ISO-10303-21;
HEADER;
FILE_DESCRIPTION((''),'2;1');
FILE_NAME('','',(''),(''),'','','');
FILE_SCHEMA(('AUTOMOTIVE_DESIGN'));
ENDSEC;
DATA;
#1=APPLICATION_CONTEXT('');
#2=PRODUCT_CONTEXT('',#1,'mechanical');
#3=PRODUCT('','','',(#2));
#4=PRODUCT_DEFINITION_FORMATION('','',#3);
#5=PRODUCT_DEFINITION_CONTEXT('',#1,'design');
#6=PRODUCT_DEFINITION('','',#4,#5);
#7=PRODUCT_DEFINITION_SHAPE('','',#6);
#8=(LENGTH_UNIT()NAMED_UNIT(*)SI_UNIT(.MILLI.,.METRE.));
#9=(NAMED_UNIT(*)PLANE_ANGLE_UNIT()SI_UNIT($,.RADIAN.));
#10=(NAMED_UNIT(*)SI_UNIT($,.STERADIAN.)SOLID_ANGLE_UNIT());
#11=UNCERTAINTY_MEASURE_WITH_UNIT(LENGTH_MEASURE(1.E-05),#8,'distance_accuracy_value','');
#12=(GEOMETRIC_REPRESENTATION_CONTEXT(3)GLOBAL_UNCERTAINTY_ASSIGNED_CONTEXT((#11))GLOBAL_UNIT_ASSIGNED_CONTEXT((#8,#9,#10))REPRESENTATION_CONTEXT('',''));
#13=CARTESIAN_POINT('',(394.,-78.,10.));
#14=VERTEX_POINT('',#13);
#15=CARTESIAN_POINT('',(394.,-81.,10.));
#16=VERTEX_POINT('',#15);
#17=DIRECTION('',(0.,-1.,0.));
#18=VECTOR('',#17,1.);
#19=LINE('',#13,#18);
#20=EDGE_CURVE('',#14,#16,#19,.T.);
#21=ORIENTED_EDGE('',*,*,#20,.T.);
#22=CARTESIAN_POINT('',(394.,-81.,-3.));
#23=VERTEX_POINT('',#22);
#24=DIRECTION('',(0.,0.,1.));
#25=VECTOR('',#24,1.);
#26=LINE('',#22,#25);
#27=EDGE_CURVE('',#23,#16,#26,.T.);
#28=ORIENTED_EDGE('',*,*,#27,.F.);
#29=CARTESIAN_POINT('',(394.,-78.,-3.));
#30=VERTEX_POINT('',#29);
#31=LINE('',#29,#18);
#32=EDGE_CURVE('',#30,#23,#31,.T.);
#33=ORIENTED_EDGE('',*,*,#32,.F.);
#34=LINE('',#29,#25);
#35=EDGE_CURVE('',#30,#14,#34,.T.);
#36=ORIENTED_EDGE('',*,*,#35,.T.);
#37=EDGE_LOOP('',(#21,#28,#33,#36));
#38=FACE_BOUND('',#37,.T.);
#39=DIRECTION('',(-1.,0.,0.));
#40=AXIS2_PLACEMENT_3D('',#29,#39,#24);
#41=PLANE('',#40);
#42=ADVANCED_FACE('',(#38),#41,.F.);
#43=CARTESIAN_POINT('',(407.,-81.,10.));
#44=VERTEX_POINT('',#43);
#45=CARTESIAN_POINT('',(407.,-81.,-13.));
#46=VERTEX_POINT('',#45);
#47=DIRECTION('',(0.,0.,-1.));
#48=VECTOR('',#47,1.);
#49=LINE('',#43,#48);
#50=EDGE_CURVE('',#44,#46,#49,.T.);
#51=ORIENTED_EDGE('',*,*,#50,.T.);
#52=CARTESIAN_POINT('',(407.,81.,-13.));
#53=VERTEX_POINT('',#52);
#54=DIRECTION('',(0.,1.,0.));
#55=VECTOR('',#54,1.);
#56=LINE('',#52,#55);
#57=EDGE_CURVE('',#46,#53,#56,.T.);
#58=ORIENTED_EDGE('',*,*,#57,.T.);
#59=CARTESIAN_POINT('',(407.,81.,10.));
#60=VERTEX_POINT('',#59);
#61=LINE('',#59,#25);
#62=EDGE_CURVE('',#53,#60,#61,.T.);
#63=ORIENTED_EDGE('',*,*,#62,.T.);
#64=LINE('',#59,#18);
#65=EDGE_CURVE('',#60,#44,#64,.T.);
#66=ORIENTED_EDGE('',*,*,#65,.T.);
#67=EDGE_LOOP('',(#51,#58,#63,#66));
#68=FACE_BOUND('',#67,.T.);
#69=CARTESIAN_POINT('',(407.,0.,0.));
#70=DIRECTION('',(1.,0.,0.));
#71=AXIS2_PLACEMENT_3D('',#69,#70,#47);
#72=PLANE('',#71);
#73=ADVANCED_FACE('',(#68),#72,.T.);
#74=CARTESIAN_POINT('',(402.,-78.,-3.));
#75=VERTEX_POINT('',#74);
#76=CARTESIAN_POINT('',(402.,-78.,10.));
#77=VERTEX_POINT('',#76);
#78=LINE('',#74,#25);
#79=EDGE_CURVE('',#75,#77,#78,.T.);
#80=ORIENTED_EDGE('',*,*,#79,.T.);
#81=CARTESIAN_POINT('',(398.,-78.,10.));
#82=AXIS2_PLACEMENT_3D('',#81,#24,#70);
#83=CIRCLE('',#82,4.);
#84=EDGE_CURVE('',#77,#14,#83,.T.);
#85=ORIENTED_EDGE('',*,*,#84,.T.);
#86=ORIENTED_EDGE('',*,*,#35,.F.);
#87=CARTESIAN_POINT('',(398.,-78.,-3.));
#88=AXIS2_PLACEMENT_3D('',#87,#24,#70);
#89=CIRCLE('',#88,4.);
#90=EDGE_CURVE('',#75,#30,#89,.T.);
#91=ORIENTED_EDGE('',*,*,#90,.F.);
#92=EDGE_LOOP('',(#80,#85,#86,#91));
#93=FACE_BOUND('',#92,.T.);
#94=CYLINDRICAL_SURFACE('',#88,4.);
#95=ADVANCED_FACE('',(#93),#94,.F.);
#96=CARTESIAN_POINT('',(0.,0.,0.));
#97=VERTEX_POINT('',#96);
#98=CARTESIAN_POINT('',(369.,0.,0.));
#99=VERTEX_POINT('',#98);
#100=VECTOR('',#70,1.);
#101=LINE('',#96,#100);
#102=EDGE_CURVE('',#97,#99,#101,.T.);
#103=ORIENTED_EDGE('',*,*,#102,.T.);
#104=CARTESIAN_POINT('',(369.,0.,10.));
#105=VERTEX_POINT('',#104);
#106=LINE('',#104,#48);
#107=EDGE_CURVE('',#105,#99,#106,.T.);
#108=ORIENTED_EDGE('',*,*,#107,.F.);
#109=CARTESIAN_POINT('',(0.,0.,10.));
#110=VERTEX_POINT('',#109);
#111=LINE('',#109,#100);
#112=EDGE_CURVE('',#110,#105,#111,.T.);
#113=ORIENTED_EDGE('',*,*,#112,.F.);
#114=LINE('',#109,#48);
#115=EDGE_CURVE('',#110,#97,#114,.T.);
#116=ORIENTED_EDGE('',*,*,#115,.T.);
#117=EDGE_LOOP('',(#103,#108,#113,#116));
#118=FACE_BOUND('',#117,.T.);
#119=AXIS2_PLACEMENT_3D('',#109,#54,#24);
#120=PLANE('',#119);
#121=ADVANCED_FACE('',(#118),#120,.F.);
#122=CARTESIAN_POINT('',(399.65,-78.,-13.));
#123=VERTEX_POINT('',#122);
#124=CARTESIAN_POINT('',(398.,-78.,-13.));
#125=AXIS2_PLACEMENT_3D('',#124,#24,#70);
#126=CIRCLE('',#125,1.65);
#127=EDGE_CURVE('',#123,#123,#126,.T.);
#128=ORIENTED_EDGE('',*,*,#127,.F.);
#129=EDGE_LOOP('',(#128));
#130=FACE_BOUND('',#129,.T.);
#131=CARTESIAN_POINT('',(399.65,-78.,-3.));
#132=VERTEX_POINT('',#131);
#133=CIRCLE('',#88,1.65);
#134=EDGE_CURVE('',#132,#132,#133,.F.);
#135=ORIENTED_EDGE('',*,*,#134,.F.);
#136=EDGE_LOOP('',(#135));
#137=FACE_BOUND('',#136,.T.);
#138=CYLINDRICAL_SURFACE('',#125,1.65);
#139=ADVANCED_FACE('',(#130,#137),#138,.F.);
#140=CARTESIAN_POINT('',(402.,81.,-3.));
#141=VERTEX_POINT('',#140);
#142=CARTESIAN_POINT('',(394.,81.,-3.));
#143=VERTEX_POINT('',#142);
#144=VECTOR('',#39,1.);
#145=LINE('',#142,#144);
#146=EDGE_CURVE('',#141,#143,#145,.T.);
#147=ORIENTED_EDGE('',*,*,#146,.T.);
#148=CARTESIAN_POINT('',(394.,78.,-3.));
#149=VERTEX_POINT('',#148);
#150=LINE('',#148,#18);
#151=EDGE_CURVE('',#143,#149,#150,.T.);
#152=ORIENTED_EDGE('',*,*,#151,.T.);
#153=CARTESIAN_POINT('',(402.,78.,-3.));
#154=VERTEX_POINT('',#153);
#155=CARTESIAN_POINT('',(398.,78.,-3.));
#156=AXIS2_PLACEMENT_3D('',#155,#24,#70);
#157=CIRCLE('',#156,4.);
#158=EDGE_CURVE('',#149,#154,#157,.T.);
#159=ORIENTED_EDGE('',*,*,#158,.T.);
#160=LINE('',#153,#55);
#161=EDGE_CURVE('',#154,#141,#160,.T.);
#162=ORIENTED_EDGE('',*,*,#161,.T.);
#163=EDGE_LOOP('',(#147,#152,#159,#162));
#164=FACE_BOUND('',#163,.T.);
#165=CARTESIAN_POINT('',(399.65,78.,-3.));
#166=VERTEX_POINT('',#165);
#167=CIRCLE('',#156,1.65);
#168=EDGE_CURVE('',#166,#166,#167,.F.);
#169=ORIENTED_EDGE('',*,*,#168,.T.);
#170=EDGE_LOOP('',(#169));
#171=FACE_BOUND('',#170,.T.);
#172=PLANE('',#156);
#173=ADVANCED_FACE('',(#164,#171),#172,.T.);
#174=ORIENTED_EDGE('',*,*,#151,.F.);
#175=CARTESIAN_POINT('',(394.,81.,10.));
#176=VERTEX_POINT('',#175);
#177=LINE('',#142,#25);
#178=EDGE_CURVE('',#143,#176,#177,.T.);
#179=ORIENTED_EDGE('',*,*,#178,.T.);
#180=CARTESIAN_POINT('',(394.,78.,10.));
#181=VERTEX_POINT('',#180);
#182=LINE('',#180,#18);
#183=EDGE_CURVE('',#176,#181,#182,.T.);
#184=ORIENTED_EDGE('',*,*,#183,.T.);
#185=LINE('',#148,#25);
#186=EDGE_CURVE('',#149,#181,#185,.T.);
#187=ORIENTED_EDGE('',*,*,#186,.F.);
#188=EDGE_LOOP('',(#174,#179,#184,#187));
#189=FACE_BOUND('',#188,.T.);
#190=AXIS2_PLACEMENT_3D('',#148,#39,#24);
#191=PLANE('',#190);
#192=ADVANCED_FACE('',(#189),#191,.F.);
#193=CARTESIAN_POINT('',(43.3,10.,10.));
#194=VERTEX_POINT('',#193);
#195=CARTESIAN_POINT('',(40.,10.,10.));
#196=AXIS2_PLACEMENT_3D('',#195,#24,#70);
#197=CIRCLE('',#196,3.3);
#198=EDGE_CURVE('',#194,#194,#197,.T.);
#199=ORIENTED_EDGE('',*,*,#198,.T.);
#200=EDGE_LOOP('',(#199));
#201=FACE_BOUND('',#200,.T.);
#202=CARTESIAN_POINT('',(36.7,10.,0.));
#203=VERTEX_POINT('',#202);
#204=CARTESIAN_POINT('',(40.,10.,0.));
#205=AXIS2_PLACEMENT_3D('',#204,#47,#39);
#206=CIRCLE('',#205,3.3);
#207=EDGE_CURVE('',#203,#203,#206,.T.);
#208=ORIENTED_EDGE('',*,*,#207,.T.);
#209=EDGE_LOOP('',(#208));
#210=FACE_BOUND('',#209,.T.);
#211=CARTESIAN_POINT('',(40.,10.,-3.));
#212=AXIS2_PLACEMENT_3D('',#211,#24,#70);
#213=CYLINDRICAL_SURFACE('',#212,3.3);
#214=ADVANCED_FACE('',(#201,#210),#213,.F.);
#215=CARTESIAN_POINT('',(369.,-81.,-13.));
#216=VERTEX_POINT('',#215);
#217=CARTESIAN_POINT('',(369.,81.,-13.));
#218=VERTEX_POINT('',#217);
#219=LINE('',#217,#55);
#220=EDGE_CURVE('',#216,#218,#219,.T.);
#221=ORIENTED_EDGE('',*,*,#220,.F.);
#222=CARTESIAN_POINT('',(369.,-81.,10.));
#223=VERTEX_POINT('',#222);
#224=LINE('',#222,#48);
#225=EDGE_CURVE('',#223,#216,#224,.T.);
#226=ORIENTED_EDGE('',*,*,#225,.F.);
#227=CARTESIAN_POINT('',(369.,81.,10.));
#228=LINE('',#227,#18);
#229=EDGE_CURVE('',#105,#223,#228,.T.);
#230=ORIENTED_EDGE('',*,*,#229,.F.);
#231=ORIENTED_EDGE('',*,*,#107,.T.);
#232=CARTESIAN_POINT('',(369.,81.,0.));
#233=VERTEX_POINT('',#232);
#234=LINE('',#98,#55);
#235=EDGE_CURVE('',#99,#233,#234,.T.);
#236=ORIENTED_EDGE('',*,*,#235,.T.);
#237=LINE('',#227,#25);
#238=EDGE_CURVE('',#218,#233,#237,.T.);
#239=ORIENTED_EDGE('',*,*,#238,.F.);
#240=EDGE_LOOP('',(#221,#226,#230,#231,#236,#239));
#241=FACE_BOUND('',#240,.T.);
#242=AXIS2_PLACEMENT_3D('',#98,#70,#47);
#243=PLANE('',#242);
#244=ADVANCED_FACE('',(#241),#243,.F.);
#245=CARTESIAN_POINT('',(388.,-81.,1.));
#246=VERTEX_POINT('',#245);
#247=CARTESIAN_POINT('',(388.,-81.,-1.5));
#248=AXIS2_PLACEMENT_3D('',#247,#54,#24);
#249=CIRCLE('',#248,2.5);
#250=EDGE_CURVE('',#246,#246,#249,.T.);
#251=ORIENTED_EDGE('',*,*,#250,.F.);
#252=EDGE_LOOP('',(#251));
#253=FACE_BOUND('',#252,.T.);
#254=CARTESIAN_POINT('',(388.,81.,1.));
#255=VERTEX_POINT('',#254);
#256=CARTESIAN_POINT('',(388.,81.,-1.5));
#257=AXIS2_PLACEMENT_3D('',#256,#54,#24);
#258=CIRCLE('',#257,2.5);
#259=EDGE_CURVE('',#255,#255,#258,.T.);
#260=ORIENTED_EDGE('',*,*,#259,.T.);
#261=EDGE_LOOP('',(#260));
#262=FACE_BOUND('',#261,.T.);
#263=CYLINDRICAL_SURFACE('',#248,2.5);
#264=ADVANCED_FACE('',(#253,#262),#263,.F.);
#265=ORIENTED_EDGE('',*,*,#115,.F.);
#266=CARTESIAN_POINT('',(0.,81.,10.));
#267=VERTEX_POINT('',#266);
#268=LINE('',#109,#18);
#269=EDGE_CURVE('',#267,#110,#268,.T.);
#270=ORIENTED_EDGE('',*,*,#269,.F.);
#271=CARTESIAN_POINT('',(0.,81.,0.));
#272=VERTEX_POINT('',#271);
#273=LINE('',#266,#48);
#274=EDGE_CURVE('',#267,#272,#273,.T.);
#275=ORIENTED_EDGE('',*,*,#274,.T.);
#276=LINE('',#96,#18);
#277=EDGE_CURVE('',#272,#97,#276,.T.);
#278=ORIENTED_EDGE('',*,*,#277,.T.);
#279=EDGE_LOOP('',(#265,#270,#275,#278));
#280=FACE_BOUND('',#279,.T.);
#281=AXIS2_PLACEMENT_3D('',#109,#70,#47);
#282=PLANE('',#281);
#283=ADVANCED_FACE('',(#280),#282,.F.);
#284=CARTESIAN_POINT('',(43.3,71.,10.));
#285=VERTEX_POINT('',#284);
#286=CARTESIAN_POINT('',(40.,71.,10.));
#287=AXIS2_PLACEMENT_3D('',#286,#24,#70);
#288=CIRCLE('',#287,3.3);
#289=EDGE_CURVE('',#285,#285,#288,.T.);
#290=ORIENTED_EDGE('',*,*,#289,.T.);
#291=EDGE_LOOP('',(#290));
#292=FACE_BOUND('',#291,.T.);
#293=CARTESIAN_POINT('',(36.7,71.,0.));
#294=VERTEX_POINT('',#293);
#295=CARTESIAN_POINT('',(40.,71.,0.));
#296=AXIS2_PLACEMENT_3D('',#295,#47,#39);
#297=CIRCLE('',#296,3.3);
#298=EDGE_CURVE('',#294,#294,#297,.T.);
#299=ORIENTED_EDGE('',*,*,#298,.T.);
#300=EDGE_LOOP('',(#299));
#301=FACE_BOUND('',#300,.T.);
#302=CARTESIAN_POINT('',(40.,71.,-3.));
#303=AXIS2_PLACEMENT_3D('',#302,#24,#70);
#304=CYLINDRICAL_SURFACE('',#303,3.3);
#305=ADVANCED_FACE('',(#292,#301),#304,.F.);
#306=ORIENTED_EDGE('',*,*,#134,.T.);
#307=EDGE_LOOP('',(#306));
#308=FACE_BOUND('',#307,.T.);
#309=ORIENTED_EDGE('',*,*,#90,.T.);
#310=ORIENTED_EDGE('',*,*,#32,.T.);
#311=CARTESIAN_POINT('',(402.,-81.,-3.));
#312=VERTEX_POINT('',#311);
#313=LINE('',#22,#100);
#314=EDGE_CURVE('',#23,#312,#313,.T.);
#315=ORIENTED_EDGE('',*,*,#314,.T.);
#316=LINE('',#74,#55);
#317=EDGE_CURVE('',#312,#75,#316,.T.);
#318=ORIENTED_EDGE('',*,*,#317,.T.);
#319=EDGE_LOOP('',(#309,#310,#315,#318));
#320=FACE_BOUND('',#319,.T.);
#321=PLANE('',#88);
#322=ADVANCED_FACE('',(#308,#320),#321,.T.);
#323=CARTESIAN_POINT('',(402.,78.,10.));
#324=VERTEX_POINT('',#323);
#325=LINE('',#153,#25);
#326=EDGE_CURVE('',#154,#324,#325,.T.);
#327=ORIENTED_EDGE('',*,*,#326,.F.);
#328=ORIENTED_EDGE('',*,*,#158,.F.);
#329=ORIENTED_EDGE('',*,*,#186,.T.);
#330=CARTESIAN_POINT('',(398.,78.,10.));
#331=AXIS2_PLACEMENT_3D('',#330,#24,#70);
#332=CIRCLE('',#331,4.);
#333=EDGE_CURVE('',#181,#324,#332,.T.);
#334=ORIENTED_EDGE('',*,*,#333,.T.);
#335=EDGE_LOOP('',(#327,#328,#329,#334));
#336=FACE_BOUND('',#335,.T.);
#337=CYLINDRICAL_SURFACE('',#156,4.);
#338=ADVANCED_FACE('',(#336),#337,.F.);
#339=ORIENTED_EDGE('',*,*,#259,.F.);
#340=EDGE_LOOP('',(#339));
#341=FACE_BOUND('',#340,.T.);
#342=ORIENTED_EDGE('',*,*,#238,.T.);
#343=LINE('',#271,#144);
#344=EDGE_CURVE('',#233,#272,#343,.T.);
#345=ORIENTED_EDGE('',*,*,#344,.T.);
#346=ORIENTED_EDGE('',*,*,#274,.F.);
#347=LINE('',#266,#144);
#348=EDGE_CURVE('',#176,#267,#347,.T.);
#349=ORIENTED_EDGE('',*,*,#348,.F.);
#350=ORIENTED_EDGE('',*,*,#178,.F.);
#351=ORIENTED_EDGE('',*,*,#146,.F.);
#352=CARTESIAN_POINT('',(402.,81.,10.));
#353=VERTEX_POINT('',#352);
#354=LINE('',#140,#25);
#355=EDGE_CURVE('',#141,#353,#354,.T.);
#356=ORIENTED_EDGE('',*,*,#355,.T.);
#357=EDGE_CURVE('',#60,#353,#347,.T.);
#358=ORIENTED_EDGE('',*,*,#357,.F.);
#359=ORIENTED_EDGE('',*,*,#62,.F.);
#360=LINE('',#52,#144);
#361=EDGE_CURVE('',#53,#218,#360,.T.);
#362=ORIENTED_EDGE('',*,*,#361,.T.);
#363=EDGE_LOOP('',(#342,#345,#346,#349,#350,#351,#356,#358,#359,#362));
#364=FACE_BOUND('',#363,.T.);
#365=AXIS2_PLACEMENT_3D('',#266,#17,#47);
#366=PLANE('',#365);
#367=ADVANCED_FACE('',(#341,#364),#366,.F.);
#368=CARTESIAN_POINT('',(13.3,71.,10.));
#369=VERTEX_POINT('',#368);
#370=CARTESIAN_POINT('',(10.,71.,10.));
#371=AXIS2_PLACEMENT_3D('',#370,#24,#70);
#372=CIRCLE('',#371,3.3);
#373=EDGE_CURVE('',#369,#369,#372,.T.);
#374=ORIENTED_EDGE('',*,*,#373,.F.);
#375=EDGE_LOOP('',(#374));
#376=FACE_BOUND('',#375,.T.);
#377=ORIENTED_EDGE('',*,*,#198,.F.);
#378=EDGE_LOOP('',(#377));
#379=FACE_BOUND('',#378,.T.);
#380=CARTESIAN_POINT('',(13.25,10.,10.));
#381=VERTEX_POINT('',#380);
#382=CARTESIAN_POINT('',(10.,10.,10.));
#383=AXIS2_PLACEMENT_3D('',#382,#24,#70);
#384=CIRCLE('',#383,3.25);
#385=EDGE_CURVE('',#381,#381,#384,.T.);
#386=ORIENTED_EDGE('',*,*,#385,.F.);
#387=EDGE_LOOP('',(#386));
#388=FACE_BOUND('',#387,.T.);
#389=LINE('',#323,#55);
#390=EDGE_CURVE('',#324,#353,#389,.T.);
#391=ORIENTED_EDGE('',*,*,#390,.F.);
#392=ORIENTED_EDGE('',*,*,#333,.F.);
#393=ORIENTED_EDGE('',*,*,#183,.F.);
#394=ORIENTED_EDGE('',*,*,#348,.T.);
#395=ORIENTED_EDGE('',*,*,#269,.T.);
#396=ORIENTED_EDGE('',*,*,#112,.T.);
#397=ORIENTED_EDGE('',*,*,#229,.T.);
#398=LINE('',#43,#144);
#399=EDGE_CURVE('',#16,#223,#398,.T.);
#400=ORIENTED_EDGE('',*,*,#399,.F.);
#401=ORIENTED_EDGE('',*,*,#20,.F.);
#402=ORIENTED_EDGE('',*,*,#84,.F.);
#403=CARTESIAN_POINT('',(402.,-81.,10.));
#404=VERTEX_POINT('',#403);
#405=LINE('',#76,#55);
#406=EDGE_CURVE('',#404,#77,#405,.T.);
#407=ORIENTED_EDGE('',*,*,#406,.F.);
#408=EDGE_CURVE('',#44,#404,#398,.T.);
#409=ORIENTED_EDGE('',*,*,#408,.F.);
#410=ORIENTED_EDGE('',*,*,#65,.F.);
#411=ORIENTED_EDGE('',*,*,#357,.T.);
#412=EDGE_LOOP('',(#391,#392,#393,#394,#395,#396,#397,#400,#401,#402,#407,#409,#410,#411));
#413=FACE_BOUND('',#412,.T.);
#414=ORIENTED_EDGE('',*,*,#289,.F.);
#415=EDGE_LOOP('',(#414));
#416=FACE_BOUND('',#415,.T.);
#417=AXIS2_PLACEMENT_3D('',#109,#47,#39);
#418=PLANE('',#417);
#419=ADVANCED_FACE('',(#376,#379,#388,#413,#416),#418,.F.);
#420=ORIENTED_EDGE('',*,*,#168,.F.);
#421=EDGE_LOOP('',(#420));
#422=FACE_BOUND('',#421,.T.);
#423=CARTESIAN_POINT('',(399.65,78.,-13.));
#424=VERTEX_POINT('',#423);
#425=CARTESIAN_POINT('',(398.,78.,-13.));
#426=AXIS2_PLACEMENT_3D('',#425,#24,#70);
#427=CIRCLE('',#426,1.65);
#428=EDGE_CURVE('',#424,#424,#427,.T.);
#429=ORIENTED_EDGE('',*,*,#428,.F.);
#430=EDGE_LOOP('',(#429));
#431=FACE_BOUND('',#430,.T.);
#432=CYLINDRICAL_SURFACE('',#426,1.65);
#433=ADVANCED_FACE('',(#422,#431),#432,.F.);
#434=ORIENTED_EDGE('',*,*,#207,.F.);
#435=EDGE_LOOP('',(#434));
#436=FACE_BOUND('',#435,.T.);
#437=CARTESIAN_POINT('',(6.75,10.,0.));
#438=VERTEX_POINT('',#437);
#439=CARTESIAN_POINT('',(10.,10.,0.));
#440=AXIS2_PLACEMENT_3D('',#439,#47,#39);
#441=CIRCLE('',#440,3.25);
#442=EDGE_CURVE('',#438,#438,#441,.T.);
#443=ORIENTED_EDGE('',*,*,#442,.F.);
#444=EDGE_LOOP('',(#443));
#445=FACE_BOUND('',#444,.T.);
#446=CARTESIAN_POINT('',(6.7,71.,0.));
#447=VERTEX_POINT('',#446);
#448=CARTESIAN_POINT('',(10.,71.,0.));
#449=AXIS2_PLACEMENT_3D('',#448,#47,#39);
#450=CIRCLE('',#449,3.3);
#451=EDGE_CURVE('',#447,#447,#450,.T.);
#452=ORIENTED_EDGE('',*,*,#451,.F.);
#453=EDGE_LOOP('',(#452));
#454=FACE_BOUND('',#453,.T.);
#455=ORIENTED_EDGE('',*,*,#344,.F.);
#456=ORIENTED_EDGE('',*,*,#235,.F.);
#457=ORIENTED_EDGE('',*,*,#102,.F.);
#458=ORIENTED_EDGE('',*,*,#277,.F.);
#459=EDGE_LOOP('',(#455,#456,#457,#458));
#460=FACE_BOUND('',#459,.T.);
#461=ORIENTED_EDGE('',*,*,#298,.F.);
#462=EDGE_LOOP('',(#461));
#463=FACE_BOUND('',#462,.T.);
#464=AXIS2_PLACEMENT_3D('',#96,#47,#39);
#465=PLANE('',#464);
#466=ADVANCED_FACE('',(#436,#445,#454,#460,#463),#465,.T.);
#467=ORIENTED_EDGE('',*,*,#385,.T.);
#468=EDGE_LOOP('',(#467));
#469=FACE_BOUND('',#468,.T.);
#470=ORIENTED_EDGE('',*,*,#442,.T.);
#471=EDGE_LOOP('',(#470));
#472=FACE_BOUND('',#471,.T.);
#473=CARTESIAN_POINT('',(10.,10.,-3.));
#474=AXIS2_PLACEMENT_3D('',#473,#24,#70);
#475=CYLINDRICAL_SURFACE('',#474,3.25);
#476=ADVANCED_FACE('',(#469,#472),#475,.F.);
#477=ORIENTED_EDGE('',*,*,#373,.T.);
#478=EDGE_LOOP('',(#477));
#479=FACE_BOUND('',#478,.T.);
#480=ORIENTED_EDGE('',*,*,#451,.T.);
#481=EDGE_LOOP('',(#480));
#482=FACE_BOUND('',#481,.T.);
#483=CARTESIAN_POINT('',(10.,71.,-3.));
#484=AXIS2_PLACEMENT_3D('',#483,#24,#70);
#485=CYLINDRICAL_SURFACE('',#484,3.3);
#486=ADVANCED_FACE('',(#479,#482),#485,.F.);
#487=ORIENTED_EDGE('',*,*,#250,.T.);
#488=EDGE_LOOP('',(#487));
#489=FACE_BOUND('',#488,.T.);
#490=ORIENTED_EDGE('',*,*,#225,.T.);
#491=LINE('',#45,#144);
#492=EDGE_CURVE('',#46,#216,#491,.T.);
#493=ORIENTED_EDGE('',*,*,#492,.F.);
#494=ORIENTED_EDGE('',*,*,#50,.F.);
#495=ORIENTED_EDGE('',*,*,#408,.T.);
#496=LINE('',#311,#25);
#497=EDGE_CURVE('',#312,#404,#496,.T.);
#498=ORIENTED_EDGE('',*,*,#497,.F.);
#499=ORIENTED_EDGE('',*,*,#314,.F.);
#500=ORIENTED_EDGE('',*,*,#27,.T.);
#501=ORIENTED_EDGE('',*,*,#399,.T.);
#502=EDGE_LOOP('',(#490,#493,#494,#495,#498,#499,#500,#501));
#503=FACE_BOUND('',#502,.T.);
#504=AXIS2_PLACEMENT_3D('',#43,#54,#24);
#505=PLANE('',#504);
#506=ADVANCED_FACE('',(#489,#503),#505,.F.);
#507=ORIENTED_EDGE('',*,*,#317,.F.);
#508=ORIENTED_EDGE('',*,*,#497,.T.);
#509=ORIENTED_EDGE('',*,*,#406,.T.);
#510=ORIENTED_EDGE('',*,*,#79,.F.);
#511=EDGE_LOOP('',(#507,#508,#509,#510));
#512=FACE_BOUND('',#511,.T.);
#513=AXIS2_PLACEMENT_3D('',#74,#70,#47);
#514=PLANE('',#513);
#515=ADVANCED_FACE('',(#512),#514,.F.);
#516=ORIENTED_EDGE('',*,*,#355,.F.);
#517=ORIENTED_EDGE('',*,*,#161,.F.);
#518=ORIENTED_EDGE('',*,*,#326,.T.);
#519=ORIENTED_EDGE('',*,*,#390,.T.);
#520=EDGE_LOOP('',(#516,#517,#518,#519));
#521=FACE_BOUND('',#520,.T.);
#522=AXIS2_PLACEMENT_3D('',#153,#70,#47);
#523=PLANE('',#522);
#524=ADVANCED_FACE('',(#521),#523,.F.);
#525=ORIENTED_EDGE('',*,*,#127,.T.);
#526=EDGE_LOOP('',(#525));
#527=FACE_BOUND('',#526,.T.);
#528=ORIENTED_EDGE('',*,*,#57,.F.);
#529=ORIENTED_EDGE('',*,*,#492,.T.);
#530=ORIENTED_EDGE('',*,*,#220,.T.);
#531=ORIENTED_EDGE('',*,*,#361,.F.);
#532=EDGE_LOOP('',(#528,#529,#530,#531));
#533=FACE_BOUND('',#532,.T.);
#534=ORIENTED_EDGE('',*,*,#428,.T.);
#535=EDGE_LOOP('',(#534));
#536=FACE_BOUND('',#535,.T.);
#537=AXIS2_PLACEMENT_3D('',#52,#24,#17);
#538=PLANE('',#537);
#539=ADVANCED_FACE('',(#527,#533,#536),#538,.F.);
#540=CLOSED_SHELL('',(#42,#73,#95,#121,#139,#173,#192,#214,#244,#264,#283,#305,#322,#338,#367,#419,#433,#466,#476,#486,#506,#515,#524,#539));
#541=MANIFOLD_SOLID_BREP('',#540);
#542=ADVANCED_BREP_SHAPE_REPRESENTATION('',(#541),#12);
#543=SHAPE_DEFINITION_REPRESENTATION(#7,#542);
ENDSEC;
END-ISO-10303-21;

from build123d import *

# Parameters (mm, degrees)
SKETCH1_W           = 369
SKETCH1_H           = 81
BOSS_EXTRUDE1_DEPTH = 10
SKETCH2_W           = 23
SKETCH2_H           = 162
BOSS_EXTRUDE2_DEPTH = 38
SKETCH3_R           = 2.5
CUT_EXTRUDE1_DEPTH  = 163
SKETCH4_R           = 1.65
CUT_EXTRUDE2_DEPTH  = 24
CUT_EXTRUDE4_DEPTH  = 13
SKETCH6_R           = 3.3
SKETCH6_R_2         = 3.25
CUT_EXTRUDE5_DEPTH  = 13


with BuildPart() as part:
    # Sketch1 → Boss-Extrude1 (new body)
    with BuildSketch(Plane.XY):
        with Locations((184.5, 40.5)):
            Rectangle(SKETCH1_W, SKETCH1_H)
    extrude(amount=BOSS_EXTRUDE1_DEPTH)

    # Sketch2 → Boss-Extrude2 (add)
    with BuildSketch(Plane(origin=(369, 0, 0), x_dir=(0, 0, -1), z_dir=(1, 0, 0))):
        with Locations((1.5, 0)):
            Rectangle(SKETCH2_W, SKETCH2_H)
    extrude(amount=BOSS_EXTRUDE2_DEPTH)

    # Sketch3 → Cut-Extrude1 (cut, through all)
    with BuildSketch(Plane(origin=(0, 81, 0), x_dir=(1, 0, 0), z_dir=(0, 1, 0))):
        with Locations((388, 1.5)):
            Circle(SKETCH3_R)
    extrude(amount=-CUT_EXTRUDE1_DEPTH, mode=Mode.SUBTRACT)

    # Sketch4 → Cut-Extrude2 (cut, through all)
    with BuildSketch(Plane.XY.offset(10)):
        with Locations((398, -78)):
            Circle(SKETCH4_R)
        with Locations((398, 78)):
            Circle(SKETCH4_R)
    extrude(amount=-CUT_EXTRUDE2_DEPTH, mode=Mode.SUBTRACT)

    # Sketch5 → Cut-Extrude4 (cut)
    with BuildSketch(Plane.XY.offset(10)):
        with BuildLine():
            Line((394, 78), (394, 81))
            Line((394, 81), (402, 81))
            Line((402, 81), (402, 78))
            ThreePointArc((402, 78), (398, 74), (394, 78))
        make_face()
        with BuildLine():
            Line((394, -78), (394, -81))
            Line((394, -81), (402, -81))
            Line((402, -81), (402, -78))
            ThreePointArc((402, -78), (398, -74), (394, -78))
        make_face()
    extrude(amount=-CUT_EXTRUDE4_DEPTH, mode=Mode.SUBTRACT)

    # Sketch6 → Cut-Extrude5 (cut)
    with BuildSketch(Plane.XY.offset(10)):
        with Locations((10, 71)):
            Circle(SKETCH6_R)
        with Locations((40, 71)):
            Circle(SKETCH6_R)
        with Locations((40, 10)):
            Circle(SKETCH6_R)
        with Locations((10, 10)):
            Circle(SKETCH6_R_2)
    extrude(amount=-CUT_EXTRUDE5_DEPTH, mode=Mode.SUBTRACT)


solid = part.part
